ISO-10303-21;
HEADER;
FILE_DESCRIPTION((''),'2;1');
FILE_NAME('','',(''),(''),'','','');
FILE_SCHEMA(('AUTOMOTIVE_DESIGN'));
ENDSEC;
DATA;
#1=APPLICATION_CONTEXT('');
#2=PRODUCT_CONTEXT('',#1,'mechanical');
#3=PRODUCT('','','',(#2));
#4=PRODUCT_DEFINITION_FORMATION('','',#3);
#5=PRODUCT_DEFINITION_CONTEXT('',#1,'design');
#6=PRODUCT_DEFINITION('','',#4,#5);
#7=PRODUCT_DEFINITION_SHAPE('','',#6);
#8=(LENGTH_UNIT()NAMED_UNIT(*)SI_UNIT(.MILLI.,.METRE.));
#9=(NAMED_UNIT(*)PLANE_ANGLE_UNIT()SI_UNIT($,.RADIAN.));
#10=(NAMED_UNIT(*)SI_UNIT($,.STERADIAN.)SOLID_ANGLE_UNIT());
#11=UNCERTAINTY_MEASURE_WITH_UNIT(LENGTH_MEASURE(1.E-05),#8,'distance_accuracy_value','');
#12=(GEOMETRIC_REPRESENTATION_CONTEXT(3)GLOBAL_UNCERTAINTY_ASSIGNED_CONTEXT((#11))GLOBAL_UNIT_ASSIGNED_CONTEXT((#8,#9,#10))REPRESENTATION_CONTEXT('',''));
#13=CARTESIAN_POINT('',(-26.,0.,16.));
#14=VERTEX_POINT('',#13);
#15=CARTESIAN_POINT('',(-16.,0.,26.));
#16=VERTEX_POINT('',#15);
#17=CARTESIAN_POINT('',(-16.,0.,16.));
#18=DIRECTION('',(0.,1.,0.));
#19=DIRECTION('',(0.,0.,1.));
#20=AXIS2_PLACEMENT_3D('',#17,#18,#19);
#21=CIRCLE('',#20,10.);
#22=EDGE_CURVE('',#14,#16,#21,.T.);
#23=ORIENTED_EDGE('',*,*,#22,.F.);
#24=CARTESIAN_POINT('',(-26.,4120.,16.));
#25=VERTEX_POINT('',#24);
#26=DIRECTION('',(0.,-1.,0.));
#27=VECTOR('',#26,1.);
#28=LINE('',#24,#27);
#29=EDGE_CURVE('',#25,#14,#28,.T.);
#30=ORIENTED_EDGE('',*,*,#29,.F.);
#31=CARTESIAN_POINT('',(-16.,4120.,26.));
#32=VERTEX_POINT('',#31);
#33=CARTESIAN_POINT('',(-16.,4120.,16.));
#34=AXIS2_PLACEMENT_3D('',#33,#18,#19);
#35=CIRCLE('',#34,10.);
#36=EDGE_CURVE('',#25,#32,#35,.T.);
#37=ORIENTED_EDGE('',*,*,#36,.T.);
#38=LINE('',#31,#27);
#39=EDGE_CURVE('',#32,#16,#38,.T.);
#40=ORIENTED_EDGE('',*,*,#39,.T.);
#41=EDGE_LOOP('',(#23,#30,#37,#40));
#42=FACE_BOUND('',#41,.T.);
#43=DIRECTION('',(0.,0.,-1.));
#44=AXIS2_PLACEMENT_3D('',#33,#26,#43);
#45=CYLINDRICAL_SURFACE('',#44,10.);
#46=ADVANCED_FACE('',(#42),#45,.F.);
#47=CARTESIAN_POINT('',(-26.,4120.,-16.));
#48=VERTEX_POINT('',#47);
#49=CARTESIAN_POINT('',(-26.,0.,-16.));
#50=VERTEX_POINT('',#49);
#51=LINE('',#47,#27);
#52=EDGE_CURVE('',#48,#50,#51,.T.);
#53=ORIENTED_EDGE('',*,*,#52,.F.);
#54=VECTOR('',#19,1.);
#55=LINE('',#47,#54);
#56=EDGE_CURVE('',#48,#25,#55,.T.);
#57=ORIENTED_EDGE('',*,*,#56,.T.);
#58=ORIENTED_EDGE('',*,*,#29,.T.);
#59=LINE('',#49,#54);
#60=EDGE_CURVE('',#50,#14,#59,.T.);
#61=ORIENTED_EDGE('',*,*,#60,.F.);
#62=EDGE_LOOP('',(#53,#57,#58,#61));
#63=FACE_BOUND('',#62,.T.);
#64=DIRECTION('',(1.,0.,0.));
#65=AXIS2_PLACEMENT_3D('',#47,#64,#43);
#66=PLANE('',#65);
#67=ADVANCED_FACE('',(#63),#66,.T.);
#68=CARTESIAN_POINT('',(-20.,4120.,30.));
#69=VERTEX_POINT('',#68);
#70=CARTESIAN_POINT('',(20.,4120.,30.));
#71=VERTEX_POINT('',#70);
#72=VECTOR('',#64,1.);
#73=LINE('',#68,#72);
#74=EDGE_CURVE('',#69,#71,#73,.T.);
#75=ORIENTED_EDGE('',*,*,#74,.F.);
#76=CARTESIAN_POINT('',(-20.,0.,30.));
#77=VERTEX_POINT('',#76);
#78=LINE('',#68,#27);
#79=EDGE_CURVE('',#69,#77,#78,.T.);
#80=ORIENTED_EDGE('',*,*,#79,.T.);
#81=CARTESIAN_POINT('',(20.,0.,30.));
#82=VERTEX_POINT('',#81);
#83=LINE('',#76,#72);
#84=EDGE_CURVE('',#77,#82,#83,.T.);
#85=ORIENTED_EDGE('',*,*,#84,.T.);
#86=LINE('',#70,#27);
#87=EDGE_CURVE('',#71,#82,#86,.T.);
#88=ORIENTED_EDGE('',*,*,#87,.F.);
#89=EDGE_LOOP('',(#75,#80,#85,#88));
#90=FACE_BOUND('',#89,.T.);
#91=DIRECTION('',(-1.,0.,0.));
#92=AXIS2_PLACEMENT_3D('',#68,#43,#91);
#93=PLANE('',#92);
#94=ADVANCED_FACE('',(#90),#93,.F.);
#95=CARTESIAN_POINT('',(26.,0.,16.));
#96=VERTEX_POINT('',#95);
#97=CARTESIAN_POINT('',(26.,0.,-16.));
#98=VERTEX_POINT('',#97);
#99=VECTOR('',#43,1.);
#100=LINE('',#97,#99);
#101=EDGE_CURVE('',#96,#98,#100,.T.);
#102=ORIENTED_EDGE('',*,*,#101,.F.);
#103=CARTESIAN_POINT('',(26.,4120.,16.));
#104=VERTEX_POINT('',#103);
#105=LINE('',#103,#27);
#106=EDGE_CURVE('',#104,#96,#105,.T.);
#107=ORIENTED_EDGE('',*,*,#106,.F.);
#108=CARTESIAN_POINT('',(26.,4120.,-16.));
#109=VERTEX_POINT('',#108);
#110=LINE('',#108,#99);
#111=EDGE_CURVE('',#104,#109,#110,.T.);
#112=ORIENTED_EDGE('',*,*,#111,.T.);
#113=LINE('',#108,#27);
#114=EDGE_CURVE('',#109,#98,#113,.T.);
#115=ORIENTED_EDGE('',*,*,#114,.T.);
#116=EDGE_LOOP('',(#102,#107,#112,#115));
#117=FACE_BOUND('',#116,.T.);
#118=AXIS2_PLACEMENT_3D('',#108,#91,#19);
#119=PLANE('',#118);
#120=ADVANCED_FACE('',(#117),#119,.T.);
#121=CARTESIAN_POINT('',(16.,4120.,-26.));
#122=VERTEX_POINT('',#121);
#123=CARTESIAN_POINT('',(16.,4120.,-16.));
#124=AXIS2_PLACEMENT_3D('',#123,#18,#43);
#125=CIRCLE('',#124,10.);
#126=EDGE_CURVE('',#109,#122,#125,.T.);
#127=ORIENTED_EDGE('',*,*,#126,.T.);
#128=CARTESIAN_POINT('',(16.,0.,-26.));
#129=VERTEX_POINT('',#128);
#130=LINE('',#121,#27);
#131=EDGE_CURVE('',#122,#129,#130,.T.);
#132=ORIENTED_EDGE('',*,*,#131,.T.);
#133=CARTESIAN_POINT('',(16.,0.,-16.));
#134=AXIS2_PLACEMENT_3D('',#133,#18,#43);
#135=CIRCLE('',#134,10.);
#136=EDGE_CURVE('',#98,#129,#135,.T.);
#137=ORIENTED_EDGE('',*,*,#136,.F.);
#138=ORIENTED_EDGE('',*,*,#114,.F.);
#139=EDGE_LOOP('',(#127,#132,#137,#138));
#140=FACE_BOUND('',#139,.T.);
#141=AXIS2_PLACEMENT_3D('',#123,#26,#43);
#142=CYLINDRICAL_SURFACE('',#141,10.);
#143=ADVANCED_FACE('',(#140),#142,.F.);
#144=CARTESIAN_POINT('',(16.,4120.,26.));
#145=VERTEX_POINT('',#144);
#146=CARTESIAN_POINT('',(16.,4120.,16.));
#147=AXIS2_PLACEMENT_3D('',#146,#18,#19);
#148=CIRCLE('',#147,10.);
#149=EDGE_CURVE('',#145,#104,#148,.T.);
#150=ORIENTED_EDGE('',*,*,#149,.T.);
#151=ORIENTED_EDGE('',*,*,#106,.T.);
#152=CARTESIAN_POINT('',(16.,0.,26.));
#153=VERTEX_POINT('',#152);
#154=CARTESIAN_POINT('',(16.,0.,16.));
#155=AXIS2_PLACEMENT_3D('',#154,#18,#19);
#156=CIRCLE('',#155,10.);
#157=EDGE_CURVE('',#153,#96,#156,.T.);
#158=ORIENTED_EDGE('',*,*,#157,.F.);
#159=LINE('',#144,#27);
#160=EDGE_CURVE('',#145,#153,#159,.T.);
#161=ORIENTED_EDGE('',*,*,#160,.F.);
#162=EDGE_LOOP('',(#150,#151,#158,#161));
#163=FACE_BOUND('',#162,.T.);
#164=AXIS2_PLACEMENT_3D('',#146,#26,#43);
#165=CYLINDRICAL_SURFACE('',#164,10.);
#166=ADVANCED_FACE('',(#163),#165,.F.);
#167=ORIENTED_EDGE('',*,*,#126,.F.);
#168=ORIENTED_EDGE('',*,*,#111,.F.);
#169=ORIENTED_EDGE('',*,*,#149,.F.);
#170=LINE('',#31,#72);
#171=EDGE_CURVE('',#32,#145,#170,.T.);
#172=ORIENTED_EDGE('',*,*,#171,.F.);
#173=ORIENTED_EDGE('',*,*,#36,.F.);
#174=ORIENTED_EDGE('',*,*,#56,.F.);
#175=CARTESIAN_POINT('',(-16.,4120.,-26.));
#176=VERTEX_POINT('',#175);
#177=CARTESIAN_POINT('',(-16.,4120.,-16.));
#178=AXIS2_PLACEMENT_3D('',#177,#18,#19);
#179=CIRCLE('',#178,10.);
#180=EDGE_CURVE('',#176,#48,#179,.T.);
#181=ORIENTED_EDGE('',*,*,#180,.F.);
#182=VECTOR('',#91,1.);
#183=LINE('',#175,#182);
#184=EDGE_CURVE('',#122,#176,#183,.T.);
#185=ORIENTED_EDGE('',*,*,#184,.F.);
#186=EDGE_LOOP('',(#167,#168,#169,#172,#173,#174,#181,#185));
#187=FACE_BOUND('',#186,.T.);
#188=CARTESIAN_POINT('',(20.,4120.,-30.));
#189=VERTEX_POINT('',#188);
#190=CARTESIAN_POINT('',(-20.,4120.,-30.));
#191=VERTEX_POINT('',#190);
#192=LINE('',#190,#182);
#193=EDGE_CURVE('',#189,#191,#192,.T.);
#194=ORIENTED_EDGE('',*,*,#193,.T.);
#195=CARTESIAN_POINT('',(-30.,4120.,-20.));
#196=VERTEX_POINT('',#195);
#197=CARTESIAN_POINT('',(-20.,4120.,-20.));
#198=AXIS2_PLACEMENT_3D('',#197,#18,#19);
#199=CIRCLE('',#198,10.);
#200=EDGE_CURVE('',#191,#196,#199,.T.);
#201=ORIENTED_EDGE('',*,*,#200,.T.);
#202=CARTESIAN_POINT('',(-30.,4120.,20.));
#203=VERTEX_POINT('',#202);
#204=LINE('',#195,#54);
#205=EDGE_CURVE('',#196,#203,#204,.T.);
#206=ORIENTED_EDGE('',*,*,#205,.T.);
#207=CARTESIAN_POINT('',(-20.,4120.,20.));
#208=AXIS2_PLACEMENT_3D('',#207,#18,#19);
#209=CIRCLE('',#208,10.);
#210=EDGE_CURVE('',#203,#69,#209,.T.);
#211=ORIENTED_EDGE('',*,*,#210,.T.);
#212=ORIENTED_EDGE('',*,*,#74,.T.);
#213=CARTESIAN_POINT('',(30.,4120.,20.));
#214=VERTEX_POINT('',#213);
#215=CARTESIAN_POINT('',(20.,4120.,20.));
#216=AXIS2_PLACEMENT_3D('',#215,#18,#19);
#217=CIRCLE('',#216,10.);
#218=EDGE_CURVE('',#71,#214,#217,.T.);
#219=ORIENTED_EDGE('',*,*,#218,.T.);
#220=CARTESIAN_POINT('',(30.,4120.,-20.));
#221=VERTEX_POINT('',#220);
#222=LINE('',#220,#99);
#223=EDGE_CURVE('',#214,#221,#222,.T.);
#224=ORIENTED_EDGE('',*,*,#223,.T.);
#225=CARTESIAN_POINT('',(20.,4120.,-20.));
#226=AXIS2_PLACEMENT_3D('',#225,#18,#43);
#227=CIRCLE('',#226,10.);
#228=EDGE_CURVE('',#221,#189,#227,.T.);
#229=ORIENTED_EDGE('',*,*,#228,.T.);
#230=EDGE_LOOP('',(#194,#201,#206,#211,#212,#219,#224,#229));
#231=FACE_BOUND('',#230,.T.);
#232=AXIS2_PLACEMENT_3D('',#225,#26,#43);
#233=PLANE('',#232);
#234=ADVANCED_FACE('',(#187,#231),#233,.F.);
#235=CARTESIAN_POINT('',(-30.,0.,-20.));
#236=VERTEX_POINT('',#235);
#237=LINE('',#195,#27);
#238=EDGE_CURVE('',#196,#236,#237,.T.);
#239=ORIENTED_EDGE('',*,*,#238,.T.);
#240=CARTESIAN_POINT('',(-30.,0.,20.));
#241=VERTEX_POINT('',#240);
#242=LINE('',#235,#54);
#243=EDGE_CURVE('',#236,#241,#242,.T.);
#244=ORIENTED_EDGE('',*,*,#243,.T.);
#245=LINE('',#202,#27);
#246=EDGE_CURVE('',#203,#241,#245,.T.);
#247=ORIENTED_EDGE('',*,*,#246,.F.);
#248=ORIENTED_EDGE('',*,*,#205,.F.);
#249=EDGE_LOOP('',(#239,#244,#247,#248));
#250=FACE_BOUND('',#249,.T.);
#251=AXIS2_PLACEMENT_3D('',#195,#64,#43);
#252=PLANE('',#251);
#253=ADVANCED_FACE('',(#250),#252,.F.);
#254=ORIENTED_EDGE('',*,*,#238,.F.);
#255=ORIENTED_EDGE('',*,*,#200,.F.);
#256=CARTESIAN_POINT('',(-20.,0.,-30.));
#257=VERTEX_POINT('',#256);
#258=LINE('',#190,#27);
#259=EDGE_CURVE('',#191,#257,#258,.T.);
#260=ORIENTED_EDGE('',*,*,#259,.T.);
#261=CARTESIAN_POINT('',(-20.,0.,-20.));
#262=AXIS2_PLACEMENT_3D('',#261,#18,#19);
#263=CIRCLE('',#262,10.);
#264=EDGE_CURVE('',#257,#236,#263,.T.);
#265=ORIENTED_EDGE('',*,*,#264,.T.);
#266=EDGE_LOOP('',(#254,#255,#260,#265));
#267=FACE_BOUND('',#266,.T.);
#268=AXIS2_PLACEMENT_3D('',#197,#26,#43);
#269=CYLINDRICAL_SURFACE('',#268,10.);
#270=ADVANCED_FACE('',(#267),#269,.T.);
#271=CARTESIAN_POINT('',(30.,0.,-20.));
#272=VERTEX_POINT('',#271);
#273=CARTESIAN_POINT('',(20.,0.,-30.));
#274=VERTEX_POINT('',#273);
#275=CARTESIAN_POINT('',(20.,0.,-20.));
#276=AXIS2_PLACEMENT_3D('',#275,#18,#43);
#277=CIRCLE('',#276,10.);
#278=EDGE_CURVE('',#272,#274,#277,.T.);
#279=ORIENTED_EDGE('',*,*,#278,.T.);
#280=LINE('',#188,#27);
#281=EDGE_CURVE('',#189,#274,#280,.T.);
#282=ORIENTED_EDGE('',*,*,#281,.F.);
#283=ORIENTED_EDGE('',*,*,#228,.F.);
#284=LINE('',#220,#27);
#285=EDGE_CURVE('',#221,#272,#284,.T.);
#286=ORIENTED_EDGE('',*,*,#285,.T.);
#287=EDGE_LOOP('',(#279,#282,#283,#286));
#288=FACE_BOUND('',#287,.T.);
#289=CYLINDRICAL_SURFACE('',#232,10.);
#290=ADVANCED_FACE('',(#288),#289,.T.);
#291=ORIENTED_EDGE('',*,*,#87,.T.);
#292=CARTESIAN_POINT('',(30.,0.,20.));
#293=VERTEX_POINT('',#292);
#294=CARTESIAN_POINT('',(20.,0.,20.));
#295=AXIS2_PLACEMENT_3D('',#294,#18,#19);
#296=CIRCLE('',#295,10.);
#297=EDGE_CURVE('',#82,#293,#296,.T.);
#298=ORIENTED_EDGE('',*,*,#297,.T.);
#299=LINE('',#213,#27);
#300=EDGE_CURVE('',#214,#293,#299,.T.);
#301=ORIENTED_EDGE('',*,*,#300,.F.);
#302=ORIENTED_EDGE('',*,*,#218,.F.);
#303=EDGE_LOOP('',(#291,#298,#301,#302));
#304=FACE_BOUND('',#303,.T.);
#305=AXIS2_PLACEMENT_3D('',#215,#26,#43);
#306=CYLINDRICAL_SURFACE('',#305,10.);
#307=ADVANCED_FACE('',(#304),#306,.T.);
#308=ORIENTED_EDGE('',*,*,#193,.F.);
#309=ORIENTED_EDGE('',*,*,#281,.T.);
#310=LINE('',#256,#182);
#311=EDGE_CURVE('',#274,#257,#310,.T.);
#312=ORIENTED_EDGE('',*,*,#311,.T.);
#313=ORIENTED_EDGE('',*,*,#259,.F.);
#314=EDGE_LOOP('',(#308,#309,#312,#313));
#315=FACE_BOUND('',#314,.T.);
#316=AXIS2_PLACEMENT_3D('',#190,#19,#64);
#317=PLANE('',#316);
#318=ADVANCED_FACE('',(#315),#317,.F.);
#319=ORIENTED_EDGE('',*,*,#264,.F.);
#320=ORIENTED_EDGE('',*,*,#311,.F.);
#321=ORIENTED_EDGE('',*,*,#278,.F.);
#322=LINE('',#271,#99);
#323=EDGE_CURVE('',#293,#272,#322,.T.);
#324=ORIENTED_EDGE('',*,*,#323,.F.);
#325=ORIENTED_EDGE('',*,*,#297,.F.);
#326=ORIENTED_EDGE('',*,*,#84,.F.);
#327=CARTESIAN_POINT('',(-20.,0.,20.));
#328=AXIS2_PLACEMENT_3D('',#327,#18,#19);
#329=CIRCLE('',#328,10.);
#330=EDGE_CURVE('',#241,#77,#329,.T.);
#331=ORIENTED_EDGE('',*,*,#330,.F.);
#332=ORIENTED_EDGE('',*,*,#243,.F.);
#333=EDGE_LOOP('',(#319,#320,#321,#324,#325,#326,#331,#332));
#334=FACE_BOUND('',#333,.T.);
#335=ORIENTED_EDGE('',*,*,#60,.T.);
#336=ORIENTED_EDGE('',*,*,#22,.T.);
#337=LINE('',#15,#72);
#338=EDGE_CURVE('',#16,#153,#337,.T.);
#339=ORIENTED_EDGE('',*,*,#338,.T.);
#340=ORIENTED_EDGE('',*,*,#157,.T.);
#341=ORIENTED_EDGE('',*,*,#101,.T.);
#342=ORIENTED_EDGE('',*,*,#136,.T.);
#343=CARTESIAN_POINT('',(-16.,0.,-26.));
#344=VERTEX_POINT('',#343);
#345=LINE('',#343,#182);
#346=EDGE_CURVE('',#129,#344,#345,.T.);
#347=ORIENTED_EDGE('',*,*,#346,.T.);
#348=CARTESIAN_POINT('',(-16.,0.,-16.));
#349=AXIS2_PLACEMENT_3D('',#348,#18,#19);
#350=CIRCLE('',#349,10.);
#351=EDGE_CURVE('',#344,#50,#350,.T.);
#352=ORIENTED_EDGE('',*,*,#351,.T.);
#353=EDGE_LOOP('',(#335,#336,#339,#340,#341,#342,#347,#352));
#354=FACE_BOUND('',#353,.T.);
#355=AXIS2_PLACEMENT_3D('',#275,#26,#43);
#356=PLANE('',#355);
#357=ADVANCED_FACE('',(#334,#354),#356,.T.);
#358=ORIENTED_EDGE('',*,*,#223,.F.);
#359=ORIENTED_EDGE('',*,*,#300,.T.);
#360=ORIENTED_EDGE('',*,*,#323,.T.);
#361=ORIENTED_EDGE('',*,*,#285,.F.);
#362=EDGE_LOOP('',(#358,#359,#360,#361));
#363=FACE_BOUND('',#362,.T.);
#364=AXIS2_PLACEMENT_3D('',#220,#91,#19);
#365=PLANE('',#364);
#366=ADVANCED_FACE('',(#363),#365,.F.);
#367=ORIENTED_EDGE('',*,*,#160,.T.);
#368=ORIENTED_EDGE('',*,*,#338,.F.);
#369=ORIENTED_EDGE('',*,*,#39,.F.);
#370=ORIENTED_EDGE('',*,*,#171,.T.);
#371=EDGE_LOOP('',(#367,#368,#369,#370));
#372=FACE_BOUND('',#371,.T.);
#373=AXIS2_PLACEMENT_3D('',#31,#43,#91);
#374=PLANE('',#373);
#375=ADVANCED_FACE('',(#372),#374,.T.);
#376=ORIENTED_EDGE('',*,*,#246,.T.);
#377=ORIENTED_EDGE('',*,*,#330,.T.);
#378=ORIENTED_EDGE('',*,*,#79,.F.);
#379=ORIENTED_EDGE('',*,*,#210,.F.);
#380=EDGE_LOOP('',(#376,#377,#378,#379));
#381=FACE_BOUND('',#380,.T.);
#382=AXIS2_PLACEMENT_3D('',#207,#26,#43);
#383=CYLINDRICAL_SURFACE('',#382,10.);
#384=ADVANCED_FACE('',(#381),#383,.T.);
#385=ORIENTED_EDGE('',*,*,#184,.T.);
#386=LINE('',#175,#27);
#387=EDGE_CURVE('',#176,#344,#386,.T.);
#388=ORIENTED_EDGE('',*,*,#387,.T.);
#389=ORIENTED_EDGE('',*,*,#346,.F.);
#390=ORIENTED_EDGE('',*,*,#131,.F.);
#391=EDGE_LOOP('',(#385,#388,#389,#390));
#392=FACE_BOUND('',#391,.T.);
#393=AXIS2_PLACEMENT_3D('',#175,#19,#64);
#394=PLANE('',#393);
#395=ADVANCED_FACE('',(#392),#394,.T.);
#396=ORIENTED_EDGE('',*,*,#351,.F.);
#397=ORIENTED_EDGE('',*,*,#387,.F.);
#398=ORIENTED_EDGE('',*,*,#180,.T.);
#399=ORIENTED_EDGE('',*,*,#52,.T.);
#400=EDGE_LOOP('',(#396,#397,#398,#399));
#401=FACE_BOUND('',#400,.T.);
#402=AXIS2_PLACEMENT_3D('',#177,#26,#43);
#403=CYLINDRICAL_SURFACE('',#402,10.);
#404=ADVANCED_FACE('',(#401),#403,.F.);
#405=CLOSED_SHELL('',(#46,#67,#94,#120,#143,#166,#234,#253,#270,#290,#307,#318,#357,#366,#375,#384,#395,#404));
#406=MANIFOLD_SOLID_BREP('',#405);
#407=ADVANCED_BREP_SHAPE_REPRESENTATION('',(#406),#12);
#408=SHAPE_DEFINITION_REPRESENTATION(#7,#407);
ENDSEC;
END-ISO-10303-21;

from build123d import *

# Parameters (mm, degrees)
EXTRUDE_1_DEPTH = 4120


with BuildPart() as part:
    # Эскиз1 → Бобышка-Вытянуть1 (new body)
    with BuildSketch(Plane(origin=(0, 0, 0), x_dir=(1, 0, 0), z_dir=(0, 1, 0))):
        with BuildLine():
            Line((-20, 30), (20, 30))
            ThreePointArc((20, 30), (27.071067812, 27.071067812), (30, 20))
            Line((30, 20), (30, -20))
            ThreePointArc((30, -20), (27.071067812, -27.071067812), (20, -30))
            Line((20, -30), (-20, -30))
            ThreePointArc((-20, -30), (-27.071067812, -27.071067812), (-30, -20))
            Line((-30, -20), (-30, 20))
            ThreePointArc((-30, 20), (-27.071067812, 27.071067812), (-20, 30))
        make_face()
        with BuildLine():
            Line((-16, 26), (16, 26))
            ThreePointArc((16, 26), (23.071067812, 23.071067812), (26, 16))
            Line((26, 16), (26, -16))
            ThreePointArc((26, -16), (23.071067812, -23.071067812), (16, -26))
            Line((16, -26), (-16, -26))
            ThreePointArc((-16, -26), (-23.071067812, -23.071067812), (-26, -16))
            Line((-26, -16), (-26, 16))
            ThreePointArc((-26, 16), (-23.071067812, 23.071067812), (-16, 26))
        make_face(mode=Mode.SUBTRACT)
    extrude(amount=EXTRUDE_1_DEPTH)


solid = part.part
